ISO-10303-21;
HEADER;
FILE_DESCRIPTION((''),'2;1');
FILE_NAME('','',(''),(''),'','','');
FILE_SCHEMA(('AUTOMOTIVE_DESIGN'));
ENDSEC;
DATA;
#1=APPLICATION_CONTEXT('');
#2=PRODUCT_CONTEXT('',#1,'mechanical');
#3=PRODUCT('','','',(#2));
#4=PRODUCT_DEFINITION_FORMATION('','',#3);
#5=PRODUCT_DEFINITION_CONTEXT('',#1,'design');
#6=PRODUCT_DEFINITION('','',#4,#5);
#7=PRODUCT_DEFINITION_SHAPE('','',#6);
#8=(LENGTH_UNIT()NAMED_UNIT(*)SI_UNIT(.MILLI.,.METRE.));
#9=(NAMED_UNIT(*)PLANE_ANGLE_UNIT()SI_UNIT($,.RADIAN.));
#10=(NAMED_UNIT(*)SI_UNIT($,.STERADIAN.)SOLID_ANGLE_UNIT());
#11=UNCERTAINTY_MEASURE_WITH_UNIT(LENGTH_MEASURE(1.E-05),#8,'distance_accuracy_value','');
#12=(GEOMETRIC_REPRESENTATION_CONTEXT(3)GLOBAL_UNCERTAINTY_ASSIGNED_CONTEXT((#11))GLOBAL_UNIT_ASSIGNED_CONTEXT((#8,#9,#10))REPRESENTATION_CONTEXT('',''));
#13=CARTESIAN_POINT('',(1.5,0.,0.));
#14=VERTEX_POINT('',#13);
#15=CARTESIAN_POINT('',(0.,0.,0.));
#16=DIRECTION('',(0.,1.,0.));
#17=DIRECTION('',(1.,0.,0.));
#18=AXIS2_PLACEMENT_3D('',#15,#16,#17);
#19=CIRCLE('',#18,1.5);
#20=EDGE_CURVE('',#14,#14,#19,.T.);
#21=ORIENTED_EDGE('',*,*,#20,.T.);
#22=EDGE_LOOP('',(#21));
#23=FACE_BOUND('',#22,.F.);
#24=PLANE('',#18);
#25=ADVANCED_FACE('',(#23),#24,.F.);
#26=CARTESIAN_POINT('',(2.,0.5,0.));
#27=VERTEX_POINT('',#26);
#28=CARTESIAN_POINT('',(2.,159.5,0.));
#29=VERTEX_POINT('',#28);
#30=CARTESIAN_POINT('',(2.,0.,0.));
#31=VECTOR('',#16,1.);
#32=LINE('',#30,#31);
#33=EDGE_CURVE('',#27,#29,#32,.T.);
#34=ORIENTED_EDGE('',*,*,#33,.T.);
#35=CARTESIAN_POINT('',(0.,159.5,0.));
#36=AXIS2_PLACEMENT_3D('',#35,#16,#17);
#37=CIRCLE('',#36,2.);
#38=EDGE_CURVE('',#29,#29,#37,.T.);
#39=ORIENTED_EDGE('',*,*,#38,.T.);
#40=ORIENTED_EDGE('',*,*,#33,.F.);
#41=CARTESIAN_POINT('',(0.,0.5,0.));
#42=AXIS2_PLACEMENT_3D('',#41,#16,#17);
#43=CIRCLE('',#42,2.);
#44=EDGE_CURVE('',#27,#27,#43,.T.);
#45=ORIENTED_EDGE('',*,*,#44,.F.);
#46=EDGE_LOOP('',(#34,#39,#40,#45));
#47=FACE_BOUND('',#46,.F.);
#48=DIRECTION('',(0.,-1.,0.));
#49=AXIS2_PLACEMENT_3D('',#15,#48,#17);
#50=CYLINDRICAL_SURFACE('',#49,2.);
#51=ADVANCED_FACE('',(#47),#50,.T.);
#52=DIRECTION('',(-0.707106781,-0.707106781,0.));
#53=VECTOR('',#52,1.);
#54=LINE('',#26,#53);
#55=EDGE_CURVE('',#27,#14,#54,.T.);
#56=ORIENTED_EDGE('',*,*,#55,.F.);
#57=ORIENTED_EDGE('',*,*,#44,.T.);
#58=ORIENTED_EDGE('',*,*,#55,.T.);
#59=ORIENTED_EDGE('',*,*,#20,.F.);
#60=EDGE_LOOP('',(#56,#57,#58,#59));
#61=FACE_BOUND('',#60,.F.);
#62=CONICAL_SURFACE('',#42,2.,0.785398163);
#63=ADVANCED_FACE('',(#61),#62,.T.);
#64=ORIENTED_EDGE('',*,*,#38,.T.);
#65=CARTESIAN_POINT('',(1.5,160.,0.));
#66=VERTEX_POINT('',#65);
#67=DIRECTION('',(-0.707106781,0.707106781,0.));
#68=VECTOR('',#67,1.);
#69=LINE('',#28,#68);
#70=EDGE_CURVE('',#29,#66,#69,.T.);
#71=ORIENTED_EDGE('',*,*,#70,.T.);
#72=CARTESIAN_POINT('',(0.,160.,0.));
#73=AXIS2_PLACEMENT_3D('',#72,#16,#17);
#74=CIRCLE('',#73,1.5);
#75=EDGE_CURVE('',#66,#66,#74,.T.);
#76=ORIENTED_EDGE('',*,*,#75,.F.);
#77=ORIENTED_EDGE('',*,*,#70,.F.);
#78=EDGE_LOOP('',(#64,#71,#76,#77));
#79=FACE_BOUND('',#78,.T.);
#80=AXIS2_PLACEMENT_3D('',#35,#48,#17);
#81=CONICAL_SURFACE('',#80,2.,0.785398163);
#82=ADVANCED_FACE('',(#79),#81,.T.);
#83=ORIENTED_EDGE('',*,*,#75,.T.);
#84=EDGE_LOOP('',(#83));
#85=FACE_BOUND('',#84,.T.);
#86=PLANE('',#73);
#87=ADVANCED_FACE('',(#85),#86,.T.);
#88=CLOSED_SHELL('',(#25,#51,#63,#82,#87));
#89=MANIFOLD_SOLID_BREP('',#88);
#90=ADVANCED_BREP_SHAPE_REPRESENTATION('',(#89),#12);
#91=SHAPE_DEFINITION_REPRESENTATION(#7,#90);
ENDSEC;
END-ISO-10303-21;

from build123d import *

# Parameters (mm, degrees)
SKETCH1_R           = 2
BOSS_EXTRUDE1_DEPTH = 160
CHAMFER1_SIZE       = 0.5


with BuildPart() as part:
    # Sketch1 → Boss-Extrude1 (new body)
    with BuildSketch(Plane(origin=(0, 0, 0), x_dir=(1, 0, 0), z_dir=(0, 1, 0))):
        Circle(SKETCH1_R)
    extrude(amount=BOSS_EXTRUDE1_DEPTH)

    # Chamfer1
    chamfer1_edges = [part.edges().sort_by_distance(p)[0] for p in [
        (-2, 0, 0),
        (-2, 160, 0),
    ]]
    chamfer(chamfer1_edges, length=CHAMFER1_SIZE)


solid = part.part
